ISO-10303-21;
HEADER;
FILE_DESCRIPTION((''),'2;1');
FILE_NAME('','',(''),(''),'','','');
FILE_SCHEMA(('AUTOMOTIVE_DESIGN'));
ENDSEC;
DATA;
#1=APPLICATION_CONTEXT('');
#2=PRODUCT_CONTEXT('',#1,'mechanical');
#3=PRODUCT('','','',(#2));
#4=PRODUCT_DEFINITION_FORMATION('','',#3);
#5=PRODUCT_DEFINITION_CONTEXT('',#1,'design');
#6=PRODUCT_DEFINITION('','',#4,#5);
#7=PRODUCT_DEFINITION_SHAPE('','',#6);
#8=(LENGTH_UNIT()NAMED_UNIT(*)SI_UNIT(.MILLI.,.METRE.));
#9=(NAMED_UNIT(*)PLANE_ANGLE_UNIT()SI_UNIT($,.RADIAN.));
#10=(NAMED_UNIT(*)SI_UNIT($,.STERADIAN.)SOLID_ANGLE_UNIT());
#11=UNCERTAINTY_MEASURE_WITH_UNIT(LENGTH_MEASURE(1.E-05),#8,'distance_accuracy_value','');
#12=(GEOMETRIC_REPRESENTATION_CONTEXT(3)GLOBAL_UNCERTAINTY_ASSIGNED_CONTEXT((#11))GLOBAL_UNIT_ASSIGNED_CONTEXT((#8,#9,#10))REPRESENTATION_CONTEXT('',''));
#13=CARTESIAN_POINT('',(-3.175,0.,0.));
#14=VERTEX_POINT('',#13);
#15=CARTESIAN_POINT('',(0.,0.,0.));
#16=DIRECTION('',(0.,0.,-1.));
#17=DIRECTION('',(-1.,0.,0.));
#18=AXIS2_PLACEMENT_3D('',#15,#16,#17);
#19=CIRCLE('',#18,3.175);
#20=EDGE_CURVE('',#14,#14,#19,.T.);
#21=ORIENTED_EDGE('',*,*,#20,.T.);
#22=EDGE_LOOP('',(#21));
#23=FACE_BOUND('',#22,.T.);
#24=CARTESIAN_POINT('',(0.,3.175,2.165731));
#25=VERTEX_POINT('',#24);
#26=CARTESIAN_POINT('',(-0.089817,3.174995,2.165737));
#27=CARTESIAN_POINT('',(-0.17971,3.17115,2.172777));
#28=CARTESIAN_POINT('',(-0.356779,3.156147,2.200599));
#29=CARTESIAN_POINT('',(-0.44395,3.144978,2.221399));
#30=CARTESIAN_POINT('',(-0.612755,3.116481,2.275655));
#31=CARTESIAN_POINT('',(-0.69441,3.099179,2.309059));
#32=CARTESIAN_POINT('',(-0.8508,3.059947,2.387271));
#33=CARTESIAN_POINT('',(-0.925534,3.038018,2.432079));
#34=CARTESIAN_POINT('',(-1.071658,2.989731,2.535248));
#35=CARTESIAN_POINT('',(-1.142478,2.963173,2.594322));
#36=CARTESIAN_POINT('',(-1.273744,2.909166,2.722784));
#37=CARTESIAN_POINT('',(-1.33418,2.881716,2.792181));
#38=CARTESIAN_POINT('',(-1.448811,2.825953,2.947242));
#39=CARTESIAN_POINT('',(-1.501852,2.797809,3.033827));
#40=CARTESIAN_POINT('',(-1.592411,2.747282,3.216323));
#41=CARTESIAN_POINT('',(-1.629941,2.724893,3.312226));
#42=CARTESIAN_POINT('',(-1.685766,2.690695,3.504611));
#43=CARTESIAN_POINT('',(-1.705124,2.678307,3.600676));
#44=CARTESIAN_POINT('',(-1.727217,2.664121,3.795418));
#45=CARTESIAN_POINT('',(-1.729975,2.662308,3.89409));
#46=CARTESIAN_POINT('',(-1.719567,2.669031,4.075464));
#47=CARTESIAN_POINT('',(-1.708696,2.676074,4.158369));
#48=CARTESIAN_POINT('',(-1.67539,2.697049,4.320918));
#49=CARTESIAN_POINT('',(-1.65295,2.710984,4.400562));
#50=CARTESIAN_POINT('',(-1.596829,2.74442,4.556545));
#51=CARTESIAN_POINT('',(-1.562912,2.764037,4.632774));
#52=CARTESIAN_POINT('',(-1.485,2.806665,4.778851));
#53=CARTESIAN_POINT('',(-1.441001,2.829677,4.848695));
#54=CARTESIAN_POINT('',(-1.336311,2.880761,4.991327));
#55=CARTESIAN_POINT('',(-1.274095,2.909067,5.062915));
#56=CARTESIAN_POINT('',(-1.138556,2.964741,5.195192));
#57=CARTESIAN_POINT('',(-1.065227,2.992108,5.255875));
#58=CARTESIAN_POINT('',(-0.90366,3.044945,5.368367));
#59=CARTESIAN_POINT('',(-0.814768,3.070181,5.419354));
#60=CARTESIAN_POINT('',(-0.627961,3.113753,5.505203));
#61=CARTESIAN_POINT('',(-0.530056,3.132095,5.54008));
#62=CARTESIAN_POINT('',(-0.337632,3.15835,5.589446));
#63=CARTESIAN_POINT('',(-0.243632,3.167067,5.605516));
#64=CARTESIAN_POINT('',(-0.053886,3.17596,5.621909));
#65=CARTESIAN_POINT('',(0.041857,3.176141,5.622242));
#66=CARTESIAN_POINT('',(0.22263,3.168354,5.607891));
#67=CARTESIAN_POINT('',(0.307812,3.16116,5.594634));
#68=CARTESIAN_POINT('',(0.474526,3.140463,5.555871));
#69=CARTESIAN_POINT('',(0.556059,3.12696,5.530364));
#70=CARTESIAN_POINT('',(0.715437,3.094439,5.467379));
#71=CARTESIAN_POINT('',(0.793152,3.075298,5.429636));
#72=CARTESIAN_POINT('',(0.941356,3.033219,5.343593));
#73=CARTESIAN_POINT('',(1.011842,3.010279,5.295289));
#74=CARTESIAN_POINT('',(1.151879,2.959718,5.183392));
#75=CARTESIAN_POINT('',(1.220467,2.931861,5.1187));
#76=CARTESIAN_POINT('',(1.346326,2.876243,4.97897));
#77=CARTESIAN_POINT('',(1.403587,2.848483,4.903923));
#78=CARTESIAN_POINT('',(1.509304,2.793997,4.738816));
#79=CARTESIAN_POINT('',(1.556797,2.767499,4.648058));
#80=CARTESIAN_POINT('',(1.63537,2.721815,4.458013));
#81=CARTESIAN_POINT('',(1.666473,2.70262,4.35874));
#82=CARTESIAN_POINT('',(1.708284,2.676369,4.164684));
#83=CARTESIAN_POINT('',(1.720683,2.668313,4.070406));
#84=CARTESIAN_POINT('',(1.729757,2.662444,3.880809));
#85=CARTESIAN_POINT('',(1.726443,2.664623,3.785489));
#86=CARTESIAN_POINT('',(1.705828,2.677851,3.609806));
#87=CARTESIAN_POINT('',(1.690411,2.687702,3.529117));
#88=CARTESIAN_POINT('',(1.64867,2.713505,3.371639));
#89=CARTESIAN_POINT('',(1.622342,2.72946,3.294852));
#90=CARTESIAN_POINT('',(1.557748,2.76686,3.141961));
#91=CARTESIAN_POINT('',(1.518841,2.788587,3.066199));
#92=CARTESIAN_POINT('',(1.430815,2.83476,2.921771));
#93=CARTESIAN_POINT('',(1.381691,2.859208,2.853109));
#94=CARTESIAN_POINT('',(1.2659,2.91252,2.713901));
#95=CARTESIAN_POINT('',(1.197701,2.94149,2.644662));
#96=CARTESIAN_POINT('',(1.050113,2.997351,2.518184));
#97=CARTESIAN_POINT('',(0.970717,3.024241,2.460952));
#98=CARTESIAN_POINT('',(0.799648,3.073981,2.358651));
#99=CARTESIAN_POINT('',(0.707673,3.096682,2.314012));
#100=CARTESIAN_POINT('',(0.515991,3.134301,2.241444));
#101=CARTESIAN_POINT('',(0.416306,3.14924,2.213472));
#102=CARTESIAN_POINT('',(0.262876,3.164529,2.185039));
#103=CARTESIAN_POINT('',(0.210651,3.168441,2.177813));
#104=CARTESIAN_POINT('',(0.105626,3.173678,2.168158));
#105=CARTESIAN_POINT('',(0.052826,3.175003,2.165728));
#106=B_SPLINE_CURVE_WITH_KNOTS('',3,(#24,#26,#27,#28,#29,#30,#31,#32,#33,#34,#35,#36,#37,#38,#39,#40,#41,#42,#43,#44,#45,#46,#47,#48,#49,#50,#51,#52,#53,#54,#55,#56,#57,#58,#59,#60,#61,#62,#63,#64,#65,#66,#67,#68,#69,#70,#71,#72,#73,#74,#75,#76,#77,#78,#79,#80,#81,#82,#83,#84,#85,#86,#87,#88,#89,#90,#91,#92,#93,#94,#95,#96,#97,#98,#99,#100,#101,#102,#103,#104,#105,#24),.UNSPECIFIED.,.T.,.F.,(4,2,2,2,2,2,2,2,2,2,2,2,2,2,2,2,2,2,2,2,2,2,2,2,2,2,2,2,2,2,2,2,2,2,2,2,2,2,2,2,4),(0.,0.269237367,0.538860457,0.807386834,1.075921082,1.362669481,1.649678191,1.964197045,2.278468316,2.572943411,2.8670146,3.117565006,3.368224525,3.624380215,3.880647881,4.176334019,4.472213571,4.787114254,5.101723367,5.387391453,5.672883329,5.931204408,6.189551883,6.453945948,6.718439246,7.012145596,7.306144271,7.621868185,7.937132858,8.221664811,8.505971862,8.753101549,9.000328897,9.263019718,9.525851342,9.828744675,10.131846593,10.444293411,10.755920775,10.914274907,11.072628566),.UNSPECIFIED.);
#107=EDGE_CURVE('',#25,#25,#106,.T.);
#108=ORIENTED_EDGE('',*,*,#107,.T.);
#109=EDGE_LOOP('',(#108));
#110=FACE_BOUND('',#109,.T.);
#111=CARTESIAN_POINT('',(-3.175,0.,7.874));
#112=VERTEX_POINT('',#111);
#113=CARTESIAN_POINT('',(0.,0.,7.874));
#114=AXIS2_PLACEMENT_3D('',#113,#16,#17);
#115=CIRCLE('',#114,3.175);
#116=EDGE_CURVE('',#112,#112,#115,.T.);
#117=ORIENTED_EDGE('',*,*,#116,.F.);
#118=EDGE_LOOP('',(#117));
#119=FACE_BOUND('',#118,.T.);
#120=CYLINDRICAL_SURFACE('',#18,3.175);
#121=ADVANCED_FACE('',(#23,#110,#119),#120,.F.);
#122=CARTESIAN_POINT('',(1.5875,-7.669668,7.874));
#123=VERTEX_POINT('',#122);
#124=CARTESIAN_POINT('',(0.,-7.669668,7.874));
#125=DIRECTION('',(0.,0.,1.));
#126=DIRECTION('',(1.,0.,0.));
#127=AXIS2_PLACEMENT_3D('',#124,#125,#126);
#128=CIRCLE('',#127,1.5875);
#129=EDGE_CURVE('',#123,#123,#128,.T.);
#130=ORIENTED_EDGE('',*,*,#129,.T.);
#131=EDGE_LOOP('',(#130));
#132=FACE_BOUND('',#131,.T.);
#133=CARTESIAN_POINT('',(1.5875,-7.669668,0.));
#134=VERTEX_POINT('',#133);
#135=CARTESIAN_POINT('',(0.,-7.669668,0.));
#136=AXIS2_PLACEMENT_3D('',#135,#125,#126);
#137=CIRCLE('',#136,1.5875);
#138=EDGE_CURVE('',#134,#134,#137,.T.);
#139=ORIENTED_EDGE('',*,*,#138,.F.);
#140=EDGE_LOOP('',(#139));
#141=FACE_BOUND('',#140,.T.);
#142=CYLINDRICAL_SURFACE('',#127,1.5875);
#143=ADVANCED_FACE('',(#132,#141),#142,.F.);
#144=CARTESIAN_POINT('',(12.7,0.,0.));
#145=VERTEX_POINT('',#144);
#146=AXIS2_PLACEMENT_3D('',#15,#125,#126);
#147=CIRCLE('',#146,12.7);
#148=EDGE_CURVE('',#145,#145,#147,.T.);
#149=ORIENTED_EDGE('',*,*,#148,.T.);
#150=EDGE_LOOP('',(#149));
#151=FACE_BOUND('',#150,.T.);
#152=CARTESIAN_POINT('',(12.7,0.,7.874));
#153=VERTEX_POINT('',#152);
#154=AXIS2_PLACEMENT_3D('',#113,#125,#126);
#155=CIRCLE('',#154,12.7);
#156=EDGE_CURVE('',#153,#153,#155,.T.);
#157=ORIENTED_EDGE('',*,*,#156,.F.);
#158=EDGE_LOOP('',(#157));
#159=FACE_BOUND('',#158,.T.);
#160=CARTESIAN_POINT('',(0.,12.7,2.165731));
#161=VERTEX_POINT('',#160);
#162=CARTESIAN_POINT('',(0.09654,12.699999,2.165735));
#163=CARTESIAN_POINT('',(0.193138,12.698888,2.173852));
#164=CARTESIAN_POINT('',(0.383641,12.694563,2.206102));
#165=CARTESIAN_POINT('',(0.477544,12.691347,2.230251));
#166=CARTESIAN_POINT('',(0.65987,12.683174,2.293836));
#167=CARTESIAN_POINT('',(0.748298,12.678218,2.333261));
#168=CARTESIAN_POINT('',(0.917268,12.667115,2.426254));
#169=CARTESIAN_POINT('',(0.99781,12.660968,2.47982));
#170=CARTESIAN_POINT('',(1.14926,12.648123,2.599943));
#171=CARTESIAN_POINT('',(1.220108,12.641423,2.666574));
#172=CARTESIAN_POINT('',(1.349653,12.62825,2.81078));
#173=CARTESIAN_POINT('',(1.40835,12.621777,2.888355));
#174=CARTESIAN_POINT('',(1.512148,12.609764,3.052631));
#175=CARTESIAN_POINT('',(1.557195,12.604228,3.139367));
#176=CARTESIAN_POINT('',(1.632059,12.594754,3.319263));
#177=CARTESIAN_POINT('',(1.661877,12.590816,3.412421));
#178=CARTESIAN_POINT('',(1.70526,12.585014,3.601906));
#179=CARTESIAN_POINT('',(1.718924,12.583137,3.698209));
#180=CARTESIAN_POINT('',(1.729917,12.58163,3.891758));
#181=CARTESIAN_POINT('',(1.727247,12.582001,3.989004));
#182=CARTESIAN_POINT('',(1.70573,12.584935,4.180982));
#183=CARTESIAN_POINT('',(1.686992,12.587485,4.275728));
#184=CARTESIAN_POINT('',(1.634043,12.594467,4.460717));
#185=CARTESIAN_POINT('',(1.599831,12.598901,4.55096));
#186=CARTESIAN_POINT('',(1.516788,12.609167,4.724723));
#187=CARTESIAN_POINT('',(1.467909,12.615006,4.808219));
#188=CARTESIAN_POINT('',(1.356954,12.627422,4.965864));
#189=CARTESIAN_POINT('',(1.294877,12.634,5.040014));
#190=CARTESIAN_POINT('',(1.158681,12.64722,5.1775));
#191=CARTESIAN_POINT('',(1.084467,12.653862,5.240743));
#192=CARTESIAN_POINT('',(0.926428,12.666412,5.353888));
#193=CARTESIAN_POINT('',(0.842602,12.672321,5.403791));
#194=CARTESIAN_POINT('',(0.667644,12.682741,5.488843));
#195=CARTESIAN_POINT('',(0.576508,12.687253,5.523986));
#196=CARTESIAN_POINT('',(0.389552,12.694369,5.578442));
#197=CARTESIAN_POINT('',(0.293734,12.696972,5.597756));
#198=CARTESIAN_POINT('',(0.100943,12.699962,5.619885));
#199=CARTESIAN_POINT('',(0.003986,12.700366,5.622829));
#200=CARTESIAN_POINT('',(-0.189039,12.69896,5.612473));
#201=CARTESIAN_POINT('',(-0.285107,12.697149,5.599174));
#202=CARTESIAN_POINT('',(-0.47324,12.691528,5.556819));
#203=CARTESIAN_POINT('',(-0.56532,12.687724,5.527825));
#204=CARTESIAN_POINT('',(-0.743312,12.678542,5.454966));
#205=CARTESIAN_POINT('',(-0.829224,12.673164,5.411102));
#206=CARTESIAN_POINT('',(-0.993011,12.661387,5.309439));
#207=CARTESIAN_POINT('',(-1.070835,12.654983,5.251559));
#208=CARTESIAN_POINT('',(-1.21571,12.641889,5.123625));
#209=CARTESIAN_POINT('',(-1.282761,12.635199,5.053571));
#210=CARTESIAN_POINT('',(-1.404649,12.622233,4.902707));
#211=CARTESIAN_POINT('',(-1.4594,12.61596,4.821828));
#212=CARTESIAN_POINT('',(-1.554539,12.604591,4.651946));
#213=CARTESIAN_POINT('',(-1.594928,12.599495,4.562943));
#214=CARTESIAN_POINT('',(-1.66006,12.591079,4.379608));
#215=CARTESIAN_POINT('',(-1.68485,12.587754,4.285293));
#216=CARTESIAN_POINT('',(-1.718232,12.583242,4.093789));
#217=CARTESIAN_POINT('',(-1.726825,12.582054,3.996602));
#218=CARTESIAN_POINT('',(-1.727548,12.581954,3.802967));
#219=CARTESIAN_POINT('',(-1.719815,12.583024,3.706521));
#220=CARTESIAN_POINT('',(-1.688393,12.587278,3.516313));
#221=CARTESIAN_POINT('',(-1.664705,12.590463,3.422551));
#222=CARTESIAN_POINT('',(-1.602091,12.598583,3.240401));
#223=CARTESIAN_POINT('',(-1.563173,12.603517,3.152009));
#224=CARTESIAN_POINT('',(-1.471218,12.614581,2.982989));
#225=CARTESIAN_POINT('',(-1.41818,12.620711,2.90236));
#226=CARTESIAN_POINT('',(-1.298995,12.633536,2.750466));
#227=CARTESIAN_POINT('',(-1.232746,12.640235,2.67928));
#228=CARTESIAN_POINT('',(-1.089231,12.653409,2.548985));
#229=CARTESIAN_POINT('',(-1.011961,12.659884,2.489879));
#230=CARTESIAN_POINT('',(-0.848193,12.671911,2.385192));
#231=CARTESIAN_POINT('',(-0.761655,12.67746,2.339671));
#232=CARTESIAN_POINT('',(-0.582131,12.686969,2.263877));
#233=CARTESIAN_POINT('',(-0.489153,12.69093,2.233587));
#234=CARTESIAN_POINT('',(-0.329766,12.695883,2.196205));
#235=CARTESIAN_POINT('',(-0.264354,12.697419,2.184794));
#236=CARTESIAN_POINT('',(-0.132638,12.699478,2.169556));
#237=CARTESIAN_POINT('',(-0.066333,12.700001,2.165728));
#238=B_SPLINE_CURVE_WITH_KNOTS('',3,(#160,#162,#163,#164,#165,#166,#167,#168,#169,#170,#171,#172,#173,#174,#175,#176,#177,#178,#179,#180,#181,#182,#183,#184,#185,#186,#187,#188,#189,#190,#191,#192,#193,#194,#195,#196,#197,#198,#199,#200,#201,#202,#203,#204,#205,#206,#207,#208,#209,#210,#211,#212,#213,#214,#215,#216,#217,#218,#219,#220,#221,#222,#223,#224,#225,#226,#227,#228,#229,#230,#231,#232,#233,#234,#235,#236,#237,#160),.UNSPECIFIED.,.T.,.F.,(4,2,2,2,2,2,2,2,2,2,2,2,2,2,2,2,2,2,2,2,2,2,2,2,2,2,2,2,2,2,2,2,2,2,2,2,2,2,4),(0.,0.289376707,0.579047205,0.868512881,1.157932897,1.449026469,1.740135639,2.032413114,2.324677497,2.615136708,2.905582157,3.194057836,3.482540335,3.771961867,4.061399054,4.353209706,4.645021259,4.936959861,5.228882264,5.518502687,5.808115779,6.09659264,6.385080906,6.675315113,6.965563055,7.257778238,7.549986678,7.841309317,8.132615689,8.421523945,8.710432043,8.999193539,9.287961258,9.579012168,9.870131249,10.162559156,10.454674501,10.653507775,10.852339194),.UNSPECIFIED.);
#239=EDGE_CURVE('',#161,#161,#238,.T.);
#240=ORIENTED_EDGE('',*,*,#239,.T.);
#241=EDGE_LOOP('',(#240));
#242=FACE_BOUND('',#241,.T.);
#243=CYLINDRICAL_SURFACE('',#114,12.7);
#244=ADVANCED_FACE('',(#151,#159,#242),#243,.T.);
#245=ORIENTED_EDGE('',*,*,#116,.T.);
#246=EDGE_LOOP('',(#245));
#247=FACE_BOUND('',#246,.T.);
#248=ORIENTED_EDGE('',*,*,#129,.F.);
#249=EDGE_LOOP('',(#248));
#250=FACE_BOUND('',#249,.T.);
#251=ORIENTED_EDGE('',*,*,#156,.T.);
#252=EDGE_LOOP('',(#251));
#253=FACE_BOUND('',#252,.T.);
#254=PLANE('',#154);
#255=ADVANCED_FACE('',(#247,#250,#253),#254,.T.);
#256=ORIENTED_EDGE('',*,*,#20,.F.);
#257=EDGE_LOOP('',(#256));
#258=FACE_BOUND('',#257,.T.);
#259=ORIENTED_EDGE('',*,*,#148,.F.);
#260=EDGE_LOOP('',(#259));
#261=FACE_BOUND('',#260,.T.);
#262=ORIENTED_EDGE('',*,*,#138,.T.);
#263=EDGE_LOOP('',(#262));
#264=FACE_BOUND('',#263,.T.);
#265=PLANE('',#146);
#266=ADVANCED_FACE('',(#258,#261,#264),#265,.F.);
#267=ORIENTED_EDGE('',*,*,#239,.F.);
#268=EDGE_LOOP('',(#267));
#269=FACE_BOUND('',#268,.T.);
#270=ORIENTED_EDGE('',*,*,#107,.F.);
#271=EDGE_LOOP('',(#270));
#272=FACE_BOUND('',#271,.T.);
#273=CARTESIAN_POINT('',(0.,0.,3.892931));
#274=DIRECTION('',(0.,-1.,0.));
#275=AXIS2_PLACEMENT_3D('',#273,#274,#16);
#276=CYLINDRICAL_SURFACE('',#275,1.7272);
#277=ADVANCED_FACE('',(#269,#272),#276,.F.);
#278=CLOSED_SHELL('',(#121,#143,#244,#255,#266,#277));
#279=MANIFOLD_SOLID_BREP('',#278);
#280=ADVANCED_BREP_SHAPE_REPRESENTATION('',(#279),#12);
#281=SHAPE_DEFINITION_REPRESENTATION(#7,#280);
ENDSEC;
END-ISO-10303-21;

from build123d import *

# Parameters (mm, degrees)
SKETCH1_R                  = 12.7
BOSS_EXTRUDE1_DEPTH        = 7.874
F_1_4_0_2500_DOWEL_HOLE1_D = 6.35
F_1_8_0_1250_DOWEL_HOLE1_D = 3.175


with BuildPart() as part:
    # Sketch1 → Boss-Extrude1 (new body)
    with BuildSketch(Plane.XY):
        Circle(SKETCH1_R)
    extrude(amount=BOSS_EXTRUDE1_DEPTH)

    # 1/4 (0.2500) Dowel Hole1 (through all)
    with Locations(Plane(origin=(0, 0, 0), x_dir=(1, 0, 0), z_dir=(0, 0, -1))):
        with Locations((0, 0)):
            Hole(F_1_4_0_2500_DOWEL_HOLE1_D / 2)

    # 1/8 (0.1250) Dowel Hole1 (through all)
    with Locations(Plane.XY.offset(7.874)):
        with Locations((0, -7.669668031)):
            Hole(F_1_8_0_1250_DOWEL_HOLE1_D / 2)

    # Sketch7 → #8-32 Tapped Hole1 (revolve, cut)
    with BuildSketch(Plane(origin=(0, 0, 3.892930906), x_dir=(0, 0, -1), z_dir=(1, 0, 0))):
        Polygon((0, 0), (0, 13.97), (1.7272, 12.932193539), (1.7272, 0), align=None)
    revolve(axis=Axis((0, -6.35, 3.892930906), (0, 1, 0)), mode=Mode.SUBTRACT)


solid = part.part
